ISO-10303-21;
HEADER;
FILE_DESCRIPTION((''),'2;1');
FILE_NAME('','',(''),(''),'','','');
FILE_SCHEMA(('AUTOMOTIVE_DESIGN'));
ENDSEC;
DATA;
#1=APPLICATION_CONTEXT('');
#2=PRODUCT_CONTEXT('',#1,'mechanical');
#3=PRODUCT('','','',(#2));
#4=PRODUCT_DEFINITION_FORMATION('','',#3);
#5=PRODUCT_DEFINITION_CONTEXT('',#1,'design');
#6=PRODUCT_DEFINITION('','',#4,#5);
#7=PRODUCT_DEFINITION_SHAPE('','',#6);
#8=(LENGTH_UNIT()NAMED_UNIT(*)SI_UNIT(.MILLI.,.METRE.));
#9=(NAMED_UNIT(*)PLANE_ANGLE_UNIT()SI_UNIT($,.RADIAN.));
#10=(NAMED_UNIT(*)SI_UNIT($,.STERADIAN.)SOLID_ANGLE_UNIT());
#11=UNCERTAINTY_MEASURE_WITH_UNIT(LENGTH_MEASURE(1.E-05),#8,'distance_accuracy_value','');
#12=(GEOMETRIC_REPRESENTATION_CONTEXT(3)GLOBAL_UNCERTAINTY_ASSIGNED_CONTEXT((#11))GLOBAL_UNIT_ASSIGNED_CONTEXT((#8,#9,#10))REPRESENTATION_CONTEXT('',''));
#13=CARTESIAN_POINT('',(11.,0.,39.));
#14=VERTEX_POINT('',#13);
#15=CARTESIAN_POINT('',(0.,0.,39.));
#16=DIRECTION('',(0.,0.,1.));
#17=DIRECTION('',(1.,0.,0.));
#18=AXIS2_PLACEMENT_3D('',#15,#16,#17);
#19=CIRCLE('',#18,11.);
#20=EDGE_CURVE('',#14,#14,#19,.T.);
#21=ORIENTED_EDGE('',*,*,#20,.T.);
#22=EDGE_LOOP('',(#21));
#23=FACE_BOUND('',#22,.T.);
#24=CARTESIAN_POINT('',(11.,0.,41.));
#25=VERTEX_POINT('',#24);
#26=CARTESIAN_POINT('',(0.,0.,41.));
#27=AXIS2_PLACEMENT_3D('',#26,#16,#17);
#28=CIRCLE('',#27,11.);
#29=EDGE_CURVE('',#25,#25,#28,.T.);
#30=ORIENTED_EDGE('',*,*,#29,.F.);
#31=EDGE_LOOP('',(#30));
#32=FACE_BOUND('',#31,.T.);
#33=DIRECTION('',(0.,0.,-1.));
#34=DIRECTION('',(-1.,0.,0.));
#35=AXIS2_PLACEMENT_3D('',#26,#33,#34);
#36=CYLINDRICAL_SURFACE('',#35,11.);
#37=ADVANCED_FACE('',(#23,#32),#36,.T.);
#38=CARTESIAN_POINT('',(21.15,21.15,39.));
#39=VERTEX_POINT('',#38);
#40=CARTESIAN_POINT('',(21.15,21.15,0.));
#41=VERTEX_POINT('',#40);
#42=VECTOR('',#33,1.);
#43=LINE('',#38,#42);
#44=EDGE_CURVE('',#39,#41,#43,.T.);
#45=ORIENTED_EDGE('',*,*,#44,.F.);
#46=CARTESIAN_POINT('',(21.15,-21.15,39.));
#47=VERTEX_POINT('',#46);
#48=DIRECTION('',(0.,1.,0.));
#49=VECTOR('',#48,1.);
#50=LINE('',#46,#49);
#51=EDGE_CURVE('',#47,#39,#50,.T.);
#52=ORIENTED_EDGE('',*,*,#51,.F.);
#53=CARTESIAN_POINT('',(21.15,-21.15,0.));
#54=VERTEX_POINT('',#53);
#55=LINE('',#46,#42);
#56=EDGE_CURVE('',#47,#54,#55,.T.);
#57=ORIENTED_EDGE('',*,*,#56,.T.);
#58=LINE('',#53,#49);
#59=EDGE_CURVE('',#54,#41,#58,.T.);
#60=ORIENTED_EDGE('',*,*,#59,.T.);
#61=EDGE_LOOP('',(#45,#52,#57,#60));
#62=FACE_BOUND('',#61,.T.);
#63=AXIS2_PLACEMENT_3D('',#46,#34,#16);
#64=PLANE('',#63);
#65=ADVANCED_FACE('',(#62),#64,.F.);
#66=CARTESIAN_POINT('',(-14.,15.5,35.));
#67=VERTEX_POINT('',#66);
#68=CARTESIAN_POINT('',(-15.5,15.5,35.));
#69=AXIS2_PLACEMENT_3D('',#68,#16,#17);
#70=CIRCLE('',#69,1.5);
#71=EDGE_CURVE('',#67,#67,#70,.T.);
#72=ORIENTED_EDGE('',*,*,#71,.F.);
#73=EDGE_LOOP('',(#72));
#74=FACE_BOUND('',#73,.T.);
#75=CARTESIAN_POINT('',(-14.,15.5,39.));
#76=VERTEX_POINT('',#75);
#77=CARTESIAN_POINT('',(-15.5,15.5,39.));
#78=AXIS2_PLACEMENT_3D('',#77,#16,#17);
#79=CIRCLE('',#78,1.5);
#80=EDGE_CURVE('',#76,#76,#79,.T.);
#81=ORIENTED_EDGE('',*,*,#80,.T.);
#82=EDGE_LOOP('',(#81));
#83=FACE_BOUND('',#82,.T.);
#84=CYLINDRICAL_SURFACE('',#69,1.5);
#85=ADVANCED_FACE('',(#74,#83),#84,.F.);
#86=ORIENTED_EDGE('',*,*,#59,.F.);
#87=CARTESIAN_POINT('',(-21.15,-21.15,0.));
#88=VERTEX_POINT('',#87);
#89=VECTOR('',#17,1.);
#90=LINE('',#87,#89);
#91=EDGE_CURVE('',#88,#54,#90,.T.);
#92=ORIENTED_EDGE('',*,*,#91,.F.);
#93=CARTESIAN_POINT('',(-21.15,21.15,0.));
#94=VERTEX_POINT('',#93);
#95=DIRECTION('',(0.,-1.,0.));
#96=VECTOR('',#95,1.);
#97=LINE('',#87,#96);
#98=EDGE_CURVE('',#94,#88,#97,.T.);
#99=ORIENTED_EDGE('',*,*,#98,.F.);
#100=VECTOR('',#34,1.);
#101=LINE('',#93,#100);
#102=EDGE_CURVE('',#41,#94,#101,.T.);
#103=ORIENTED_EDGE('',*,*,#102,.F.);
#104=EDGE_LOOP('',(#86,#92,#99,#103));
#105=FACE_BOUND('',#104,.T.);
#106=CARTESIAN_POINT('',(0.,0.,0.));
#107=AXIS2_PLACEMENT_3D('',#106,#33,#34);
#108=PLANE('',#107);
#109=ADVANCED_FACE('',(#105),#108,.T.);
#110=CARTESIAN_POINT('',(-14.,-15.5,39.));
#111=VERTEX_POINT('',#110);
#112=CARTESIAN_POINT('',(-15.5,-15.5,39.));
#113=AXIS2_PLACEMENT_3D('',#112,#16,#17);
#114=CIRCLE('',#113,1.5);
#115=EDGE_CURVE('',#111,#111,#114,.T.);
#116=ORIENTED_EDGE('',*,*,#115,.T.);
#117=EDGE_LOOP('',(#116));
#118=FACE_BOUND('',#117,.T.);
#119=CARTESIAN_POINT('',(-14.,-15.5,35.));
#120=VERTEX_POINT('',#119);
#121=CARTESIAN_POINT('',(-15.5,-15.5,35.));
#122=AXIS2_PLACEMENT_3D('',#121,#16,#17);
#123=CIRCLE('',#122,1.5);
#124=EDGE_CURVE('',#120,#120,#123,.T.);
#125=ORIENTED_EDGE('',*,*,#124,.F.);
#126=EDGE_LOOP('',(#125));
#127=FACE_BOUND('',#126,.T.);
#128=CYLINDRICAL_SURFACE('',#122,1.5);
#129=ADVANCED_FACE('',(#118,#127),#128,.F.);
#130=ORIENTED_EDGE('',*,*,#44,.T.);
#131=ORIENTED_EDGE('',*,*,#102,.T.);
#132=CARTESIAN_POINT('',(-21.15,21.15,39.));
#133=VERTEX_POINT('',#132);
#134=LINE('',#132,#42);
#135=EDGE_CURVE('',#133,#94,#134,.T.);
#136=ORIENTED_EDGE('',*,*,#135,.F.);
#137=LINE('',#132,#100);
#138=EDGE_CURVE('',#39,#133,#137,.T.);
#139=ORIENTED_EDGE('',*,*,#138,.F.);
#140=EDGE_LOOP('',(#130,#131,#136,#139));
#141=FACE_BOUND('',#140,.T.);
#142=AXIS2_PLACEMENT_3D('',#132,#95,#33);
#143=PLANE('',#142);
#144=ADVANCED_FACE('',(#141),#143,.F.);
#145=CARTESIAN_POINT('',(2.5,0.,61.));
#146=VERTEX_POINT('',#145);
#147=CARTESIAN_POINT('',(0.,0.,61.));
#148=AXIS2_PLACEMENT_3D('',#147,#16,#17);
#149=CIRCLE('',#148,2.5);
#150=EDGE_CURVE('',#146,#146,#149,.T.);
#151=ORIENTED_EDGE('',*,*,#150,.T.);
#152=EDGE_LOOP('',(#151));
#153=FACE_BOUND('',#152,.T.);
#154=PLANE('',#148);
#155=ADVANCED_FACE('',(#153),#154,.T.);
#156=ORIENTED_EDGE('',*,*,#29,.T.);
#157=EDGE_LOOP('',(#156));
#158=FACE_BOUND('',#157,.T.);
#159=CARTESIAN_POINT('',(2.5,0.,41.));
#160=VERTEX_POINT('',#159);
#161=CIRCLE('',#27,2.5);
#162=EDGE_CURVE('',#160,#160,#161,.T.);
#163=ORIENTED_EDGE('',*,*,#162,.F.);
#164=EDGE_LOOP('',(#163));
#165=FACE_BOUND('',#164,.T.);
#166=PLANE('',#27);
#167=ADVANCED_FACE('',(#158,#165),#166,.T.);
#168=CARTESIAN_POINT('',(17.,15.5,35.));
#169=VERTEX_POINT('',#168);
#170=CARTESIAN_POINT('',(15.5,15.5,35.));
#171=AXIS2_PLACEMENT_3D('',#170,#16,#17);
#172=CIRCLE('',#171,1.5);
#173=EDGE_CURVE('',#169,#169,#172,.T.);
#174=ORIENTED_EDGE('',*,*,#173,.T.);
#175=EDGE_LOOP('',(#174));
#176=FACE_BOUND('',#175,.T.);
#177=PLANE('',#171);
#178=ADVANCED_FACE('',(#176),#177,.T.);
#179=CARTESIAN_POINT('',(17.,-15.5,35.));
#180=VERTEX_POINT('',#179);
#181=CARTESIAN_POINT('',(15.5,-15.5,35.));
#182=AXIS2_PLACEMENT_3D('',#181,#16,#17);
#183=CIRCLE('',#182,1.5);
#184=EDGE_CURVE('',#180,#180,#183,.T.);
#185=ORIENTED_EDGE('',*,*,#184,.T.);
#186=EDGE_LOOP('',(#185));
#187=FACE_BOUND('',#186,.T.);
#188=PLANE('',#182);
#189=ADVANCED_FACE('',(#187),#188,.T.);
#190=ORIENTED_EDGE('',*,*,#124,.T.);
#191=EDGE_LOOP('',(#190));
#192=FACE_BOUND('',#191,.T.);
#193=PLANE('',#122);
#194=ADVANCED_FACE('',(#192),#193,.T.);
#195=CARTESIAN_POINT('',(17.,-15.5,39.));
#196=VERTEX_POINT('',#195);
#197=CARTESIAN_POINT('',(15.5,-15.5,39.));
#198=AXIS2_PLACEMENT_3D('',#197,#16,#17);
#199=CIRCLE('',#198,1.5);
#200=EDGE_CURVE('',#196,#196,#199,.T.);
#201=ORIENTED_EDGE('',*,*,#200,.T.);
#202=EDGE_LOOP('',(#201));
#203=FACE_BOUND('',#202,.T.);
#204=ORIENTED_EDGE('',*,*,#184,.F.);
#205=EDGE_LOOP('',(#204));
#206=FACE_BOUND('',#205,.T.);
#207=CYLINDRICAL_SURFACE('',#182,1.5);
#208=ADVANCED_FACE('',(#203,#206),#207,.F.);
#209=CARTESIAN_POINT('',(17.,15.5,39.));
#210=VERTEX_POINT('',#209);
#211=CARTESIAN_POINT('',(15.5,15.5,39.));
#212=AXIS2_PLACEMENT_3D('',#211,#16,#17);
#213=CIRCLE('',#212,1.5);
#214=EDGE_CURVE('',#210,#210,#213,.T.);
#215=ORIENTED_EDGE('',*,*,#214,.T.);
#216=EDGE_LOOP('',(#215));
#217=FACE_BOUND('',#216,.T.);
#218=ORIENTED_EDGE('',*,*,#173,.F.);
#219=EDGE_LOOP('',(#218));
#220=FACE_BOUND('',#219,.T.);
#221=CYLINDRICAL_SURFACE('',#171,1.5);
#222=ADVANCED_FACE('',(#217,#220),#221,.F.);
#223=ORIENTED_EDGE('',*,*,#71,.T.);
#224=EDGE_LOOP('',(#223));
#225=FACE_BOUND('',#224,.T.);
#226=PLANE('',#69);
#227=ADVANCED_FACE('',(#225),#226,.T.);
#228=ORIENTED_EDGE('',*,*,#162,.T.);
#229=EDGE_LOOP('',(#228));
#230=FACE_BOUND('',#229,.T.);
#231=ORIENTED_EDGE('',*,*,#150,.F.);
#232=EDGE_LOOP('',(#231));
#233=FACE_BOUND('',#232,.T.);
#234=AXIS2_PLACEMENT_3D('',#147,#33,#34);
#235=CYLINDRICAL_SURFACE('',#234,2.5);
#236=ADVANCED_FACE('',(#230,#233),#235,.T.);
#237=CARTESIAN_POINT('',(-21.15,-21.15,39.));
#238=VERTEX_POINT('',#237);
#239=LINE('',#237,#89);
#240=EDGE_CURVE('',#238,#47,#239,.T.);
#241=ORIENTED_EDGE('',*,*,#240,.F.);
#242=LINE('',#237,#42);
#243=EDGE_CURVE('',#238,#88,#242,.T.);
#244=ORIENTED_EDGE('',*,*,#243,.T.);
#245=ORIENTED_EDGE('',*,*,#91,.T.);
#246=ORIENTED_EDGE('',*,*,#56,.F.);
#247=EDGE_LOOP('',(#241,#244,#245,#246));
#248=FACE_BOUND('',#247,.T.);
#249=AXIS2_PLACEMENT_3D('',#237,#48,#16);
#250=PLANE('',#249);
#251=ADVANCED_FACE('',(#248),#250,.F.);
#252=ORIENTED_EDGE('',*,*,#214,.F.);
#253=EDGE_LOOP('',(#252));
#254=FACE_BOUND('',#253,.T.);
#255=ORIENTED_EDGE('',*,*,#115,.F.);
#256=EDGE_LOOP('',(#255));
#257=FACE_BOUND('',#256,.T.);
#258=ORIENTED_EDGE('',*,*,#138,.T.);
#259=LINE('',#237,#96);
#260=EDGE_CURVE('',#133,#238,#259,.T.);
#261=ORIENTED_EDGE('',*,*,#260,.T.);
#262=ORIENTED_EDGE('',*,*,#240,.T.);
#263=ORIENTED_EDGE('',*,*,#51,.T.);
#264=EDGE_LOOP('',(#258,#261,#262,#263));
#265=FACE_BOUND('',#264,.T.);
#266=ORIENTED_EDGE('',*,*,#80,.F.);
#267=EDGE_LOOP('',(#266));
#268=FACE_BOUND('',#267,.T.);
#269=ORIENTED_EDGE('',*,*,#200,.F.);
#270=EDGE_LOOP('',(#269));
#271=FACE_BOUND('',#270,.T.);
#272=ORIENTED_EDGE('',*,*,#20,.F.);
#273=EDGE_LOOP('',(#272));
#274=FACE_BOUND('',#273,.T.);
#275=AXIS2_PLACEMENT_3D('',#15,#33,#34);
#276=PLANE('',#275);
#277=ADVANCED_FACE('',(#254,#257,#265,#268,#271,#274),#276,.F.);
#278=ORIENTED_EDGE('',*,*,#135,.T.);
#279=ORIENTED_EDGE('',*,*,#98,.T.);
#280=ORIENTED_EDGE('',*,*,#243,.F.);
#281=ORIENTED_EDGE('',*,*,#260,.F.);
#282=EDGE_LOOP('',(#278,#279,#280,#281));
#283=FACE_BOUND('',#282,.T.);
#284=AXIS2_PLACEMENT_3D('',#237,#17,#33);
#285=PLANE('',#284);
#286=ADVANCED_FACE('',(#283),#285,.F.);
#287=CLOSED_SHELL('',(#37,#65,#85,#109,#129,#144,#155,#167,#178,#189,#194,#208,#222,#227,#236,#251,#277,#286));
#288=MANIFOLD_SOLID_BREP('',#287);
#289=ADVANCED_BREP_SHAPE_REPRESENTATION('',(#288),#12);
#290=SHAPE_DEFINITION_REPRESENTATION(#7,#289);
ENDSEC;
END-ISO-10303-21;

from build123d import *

# Parameters (mm, degrees)
SKIZZE1_W                       = 42.3
SKIZZE1_H                       = 42.3
AUFSATZ_LINEAR_AUSTRAGEN1_DEPTH = 39
SKIZZE2_R                       = 11
AUFSATZ_LINEAR_AUSTRAGEN2_DEPTH = 2
SKIZZE3_R                       = 2.5
AUFSATZ_LINEAR_AUSTRAGEN3_DEPTH = 20
SKIZZE4_R                       = 1.5
SCHNITT_LINEAR_AUSTRAGEN1_DEPTH = 4


with BuildPart() as part:
    # Skizze1 → Aufsatz-Linear austragen1 (new body)
    with BuildSketch(Plane.XY):
        Rectangle(SKIZZE1_W, SKIZZE1_H)
    extrude(amount=AUFSATZ_LINEAR_AUSTRAGEN1_DEPTH)

    # Skizze2 → Aufsatz-Linear austragen2 (add)
    with BuildSketch(Plane.XY.offset(39)):
        Circle(SKIZZE2_R)
    extrude(amount=AUFSATZ_LINEAR_AUSTRAGEN2_DEPTH)

    # Skizze3 → Aufsatz-Linear austragen3 (add)
    with BuildSketch(Plane.XY.offset(41)):
        Circle(SKIZZE3_R)
    extrude(amount=AUFSATZ_LINEAR_AUSTRAGEN3_DEPTH)

    # Skizze4 → Schnitt-Linear austragen1 (cut)
    with BuildSketch(Plane.XY.offset(39)):
        with Locations((-15.5, 15.5)):
            Circle(SKIZZE4_R)
        with Locations((15.5, 15.5)):
            Circle(SKIZZE4_R)
        with Locations((15.5, -15.5)):
            Circle(SKIZZE4_R)
        with Locations((-15.5, -15.5)):
            Circle(SKIZZE4_R)
    extrude(amount=-SCHNITT_LINEAR_AUSTRAGEN1_DEPTH, mode=Mode.SUBTRACT)


solid = part.part
